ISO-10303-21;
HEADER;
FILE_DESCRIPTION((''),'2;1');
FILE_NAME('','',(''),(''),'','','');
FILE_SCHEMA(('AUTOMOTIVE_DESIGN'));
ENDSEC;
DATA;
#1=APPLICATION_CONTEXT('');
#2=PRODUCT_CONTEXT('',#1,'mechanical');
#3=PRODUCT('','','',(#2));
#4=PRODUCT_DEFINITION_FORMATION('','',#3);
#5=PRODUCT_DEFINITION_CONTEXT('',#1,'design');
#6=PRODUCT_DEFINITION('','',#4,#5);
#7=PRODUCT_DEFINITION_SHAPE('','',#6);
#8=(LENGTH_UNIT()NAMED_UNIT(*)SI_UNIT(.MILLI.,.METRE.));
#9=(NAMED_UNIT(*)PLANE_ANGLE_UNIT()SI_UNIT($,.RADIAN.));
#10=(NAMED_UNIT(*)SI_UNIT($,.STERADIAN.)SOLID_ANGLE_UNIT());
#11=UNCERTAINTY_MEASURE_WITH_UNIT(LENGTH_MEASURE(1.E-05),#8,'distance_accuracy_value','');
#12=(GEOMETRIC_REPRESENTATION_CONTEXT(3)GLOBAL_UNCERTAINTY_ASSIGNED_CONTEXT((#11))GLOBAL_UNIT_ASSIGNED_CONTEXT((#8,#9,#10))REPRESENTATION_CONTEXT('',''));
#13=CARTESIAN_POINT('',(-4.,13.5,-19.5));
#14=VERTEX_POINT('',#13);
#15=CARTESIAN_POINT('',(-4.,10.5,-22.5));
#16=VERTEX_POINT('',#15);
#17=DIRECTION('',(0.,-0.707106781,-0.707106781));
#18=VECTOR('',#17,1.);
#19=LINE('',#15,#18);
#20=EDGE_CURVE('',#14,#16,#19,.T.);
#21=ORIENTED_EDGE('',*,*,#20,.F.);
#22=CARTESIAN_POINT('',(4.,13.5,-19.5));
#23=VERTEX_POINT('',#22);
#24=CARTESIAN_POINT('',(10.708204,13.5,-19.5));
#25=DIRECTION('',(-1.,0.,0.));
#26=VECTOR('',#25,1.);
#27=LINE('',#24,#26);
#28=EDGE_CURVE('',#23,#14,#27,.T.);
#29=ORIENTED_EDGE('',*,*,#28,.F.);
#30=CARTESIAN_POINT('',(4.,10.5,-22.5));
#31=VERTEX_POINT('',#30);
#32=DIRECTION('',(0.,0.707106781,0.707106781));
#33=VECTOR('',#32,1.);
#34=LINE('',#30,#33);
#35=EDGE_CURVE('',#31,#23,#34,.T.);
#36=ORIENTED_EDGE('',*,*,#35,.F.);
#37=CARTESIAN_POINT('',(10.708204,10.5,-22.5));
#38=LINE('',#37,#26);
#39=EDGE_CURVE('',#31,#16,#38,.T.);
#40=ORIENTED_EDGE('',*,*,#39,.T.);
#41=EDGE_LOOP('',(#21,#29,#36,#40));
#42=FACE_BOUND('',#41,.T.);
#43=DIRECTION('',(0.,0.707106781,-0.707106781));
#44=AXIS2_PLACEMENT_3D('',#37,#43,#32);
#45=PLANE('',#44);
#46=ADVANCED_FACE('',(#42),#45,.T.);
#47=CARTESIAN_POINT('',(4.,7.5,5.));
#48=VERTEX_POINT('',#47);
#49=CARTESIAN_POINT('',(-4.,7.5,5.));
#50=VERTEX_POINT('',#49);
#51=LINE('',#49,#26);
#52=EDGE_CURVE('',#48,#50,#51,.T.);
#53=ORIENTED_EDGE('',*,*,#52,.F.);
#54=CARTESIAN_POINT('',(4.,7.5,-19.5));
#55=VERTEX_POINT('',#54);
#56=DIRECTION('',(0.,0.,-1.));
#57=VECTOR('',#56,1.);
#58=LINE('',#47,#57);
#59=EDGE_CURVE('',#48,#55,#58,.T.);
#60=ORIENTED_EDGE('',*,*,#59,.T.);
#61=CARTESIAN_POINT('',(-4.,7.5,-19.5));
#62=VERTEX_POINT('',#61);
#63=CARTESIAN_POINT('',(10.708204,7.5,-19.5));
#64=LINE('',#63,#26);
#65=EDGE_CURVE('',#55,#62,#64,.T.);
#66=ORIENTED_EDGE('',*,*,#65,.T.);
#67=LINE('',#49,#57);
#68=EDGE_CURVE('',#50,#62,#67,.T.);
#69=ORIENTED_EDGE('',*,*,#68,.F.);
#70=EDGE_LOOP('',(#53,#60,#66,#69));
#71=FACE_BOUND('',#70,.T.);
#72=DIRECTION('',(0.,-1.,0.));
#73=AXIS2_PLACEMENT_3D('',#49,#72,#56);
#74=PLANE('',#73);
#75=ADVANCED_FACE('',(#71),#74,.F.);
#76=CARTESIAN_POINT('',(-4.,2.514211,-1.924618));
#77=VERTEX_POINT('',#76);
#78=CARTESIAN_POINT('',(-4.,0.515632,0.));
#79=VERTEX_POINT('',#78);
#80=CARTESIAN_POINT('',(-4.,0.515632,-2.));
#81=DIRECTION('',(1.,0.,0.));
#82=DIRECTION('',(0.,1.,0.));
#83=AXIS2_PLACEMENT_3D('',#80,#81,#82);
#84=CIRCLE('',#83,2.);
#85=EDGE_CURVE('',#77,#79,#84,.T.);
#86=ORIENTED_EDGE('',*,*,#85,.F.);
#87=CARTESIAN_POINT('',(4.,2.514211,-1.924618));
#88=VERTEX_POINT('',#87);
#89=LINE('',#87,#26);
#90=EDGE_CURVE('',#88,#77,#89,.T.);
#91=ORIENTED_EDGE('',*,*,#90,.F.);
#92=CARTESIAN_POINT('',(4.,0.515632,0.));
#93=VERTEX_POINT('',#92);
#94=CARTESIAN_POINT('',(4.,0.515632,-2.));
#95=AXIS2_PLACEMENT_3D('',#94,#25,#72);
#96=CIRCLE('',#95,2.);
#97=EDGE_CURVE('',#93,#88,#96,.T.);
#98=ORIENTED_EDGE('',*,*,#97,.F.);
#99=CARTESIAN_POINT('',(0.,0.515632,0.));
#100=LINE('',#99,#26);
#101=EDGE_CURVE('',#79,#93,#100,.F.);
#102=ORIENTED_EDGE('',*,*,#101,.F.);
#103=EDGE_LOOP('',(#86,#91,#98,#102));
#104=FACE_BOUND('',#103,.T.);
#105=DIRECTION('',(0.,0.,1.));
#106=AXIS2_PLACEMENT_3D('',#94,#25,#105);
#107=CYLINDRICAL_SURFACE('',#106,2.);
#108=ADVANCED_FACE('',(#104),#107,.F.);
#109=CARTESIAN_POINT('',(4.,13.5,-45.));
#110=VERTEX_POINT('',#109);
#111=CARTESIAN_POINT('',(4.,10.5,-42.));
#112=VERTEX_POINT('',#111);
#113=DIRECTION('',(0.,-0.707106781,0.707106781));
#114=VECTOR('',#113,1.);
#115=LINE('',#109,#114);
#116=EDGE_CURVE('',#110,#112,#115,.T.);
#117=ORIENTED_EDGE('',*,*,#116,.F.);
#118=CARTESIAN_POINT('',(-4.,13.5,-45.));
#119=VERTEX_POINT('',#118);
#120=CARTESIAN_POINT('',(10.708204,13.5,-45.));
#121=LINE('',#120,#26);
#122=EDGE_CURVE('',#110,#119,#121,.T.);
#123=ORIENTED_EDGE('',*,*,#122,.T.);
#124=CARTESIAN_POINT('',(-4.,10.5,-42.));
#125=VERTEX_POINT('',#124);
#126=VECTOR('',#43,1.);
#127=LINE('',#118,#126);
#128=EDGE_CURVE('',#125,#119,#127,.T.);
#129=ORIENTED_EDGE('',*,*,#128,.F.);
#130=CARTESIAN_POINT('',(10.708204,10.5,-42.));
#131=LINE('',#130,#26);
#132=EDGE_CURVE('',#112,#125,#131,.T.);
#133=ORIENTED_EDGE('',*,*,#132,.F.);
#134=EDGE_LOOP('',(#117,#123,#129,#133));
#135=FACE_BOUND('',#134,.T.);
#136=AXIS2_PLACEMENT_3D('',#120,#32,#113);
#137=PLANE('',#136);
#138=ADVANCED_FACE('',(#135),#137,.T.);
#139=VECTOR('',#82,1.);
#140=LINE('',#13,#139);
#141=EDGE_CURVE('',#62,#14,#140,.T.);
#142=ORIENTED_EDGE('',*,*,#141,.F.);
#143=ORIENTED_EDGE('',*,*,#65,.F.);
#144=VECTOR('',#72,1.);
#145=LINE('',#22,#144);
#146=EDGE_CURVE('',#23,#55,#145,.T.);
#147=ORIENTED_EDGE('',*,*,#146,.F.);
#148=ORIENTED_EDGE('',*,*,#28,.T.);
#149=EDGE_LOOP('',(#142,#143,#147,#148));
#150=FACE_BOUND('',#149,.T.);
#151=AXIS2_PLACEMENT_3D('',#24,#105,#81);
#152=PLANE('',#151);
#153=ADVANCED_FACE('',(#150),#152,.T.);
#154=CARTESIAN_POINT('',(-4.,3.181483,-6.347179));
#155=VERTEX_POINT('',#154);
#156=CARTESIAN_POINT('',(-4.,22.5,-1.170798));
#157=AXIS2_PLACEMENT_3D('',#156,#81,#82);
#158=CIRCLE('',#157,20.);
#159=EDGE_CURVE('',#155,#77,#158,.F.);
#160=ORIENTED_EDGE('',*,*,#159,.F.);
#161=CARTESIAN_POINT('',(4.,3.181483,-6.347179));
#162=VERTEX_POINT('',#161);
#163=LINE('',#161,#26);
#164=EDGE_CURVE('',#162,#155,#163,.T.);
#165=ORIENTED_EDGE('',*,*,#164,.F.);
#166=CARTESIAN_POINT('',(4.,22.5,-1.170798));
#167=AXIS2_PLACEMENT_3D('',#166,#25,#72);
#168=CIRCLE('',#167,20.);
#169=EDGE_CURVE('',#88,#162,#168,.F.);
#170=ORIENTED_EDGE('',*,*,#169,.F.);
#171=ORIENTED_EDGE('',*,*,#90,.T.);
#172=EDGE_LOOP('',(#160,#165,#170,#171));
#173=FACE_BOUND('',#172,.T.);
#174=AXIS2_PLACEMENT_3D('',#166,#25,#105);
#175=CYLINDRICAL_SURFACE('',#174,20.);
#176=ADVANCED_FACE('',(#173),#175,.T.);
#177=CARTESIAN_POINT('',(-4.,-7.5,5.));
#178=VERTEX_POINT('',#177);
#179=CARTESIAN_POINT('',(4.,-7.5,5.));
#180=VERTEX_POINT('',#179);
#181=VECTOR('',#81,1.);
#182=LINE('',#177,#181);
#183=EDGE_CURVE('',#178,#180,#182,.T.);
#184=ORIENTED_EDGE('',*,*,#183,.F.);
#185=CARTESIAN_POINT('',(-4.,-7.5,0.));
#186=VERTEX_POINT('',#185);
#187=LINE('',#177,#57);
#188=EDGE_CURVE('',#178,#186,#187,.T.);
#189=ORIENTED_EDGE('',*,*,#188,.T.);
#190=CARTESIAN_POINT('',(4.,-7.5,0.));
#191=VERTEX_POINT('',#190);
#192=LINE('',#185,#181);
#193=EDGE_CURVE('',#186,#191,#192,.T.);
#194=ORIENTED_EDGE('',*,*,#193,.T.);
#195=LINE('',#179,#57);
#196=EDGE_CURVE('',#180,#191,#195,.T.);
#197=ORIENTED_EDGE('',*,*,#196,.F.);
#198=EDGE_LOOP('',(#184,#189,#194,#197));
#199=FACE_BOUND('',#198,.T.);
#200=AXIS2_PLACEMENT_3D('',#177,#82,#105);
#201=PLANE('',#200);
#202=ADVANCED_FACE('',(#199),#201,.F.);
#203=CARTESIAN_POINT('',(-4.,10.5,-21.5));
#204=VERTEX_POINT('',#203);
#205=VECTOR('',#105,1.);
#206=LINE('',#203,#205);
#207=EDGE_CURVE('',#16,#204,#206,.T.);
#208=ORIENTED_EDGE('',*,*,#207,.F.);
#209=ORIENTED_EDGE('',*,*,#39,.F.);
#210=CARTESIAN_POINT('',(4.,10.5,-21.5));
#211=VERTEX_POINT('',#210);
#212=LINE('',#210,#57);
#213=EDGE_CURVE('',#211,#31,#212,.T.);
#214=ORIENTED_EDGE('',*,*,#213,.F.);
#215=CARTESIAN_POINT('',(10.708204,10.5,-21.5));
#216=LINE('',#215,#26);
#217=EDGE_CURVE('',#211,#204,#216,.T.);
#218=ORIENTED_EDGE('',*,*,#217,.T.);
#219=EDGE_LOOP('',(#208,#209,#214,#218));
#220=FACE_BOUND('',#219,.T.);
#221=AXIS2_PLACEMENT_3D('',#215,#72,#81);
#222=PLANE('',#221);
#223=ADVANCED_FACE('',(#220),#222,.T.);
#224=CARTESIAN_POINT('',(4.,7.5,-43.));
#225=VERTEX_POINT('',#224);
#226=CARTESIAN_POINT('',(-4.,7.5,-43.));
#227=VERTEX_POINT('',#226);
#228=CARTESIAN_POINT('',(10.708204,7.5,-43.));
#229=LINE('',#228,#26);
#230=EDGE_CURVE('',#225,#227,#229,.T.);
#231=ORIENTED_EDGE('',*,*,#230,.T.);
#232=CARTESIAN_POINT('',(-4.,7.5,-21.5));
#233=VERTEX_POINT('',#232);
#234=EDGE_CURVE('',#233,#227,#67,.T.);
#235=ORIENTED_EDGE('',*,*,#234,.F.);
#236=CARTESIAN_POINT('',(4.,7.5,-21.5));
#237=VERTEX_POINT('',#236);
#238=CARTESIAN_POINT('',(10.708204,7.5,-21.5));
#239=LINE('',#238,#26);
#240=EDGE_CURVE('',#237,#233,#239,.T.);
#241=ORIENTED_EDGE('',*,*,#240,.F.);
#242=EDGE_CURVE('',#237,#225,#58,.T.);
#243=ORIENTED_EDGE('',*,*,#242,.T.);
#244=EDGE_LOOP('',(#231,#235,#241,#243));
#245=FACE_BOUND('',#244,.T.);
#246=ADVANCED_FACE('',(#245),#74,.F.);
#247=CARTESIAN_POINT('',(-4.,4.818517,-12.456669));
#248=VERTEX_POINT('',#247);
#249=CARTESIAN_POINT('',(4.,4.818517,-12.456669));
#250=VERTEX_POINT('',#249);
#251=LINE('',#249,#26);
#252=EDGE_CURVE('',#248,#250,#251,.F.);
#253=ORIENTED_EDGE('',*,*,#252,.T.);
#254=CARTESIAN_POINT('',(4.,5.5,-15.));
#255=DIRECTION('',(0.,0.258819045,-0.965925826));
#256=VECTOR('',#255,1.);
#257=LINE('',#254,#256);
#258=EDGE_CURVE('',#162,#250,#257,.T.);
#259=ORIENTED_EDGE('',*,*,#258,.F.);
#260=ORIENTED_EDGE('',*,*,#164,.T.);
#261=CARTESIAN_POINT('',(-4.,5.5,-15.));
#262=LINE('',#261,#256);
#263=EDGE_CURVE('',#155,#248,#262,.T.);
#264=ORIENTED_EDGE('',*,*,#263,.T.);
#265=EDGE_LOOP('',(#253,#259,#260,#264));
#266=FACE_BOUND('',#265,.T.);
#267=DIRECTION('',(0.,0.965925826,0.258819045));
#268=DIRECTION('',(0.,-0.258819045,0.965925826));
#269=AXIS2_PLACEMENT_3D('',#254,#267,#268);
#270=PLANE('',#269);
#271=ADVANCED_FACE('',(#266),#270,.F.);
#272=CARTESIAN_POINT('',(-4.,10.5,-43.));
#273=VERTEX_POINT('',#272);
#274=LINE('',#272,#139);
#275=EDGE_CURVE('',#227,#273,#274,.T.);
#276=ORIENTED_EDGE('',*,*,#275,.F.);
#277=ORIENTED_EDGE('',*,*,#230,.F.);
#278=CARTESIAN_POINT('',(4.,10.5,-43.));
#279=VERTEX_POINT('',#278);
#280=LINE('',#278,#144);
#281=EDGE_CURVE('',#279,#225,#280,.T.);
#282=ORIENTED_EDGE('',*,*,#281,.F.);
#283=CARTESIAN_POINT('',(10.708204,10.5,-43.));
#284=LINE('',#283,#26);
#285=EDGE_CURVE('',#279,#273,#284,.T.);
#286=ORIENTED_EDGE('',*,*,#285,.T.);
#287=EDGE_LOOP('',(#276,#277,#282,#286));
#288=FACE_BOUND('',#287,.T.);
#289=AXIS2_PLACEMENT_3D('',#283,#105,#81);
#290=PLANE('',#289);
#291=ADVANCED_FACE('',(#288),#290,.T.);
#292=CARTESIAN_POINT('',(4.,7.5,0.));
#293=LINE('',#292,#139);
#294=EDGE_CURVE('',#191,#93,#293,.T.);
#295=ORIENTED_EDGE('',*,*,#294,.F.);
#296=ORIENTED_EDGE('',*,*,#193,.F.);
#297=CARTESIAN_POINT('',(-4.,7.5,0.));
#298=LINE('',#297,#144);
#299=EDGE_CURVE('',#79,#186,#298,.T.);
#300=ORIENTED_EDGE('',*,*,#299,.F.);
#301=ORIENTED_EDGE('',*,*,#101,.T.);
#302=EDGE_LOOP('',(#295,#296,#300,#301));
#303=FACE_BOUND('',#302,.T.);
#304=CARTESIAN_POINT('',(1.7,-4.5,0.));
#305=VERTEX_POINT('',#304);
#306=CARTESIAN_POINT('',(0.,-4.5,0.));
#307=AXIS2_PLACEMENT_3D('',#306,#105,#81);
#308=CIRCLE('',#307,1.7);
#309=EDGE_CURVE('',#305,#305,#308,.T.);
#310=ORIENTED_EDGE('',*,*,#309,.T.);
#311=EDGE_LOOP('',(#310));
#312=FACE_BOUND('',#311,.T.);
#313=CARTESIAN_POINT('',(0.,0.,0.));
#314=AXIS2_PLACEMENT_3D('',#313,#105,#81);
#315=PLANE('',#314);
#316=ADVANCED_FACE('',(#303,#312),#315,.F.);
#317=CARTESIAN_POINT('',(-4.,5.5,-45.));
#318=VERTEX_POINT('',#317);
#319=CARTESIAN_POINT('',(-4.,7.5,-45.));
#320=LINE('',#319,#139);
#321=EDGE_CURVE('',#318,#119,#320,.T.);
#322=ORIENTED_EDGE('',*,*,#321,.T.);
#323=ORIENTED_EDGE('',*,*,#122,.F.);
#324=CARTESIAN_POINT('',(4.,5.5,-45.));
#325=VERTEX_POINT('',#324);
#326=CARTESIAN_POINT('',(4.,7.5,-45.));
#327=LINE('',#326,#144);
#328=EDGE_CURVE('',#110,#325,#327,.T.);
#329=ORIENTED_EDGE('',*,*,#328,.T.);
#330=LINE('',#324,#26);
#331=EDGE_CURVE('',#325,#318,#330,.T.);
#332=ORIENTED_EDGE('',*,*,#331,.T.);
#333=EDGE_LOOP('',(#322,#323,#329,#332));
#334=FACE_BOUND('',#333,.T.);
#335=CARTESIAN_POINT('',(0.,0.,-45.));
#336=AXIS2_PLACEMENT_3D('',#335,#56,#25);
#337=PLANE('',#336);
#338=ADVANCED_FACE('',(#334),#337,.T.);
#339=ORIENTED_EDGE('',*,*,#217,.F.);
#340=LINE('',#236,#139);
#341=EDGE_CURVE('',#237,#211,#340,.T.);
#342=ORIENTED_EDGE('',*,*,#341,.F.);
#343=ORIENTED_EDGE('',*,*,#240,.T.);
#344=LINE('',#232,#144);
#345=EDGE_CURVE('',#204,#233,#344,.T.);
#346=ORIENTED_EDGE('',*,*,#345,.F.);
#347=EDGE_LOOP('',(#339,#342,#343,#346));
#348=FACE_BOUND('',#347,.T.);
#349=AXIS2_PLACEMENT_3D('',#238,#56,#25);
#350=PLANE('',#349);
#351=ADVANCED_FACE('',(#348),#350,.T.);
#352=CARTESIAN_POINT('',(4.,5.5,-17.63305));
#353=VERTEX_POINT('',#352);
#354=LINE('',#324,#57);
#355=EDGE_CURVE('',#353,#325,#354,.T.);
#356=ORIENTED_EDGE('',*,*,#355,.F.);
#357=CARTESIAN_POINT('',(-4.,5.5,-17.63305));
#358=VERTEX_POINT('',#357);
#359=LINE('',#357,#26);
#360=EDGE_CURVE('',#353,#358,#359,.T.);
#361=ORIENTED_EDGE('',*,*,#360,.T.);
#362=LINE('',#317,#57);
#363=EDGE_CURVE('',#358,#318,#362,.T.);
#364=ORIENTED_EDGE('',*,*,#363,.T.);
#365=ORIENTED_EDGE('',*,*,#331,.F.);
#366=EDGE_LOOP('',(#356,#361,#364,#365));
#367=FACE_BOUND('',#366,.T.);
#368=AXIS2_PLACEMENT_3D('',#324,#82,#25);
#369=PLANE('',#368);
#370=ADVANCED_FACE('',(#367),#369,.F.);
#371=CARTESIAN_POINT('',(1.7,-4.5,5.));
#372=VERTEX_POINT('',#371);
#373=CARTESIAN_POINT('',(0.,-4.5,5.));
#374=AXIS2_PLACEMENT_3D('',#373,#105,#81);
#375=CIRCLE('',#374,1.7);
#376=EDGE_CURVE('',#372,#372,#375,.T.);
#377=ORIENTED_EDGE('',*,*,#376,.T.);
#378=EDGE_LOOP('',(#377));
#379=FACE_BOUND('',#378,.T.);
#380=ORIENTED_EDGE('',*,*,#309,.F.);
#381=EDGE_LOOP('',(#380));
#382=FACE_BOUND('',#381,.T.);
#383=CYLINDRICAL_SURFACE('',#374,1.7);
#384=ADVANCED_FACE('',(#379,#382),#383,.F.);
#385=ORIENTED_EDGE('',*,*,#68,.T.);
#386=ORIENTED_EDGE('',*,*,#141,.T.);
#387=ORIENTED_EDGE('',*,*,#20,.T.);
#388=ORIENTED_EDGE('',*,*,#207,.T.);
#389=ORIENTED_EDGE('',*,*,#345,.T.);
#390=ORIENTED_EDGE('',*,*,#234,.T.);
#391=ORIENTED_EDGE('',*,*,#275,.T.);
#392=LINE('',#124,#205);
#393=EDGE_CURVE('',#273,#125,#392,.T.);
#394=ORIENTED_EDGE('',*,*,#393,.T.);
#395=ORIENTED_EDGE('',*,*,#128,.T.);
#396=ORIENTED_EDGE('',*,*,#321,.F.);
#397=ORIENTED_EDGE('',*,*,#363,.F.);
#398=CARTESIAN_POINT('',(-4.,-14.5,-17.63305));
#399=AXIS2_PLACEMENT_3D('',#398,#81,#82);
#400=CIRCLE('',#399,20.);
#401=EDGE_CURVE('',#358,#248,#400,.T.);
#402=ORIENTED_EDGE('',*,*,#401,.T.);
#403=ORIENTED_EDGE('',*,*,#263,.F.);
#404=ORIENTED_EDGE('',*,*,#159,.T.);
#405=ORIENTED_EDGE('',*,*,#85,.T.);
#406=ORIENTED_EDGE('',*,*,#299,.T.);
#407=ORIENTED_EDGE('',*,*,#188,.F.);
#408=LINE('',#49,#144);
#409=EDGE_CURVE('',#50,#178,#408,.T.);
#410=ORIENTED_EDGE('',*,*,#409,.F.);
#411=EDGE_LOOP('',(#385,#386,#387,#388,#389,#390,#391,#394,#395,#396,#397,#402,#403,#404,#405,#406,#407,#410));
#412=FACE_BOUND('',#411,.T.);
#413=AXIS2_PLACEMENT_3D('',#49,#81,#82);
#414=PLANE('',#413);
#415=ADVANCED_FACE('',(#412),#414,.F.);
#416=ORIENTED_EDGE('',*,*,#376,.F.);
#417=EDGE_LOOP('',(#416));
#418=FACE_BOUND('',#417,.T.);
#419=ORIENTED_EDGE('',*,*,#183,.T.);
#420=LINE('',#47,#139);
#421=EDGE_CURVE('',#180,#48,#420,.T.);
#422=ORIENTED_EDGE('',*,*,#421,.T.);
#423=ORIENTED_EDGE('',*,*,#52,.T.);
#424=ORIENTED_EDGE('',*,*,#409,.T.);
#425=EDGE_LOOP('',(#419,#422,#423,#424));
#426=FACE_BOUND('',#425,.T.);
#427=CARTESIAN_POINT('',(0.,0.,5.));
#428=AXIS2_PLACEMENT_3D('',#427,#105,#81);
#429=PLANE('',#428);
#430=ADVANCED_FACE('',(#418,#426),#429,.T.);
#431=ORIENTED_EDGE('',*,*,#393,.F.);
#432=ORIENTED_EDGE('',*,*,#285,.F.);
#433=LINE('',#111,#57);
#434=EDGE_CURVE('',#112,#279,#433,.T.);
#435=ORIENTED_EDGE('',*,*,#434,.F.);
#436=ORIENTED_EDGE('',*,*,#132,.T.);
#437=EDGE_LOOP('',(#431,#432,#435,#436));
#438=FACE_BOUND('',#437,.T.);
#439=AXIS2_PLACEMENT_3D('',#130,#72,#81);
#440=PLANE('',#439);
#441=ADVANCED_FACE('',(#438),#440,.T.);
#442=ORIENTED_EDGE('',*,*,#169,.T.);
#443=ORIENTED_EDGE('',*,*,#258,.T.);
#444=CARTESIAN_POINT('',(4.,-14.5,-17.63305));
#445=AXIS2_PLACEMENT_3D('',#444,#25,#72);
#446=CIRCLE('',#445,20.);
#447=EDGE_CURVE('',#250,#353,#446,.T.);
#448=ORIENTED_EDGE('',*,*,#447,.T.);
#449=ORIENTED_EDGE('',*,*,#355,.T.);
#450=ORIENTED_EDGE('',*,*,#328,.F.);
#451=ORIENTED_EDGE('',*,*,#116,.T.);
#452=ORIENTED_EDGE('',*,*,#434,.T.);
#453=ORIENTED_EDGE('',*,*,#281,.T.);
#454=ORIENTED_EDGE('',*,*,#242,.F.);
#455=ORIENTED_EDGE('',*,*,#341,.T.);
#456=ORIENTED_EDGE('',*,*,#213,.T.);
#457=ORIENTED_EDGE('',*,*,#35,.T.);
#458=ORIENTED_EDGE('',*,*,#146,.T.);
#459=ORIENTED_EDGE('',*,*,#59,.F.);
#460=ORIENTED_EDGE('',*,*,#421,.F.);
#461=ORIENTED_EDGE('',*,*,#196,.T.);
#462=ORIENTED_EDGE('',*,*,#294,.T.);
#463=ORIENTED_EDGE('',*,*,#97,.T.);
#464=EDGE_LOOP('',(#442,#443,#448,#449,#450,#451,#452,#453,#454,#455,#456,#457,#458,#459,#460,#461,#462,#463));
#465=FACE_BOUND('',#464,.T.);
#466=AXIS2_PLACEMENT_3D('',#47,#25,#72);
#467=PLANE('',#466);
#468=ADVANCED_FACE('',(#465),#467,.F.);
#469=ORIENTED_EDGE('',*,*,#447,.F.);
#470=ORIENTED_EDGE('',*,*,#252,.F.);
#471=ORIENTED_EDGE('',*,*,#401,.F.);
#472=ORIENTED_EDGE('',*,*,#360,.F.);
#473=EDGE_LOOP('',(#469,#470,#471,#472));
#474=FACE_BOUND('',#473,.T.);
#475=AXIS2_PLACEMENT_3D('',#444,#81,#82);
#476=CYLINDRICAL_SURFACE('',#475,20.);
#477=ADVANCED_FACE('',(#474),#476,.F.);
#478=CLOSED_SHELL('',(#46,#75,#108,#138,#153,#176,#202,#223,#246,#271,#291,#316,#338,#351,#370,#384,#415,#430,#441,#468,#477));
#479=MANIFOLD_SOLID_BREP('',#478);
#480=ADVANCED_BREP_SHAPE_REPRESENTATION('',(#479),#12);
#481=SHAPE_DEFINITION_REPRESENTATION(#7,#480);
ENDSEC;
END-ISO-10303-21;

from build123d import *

# Parameters (mm, degrees)
SKETCH_1_W          = 8
SKETCH_1_H          = 15
EXTRUDE_1_DEPTH     = 5
SKETCH_2_W          = 8
SKETCH_2_H          = 5
EXTRUDE_2_DEPTH     = 45
EXTRUDE_3_DEPTH     = 8
CUT_EXTRUDE_1_DEPTH = 48.657633177
FILLET_1_R          = 20
FILLET_2_R          = 2
HOLE_WIZARD_M3_1_D  = 3.4


with BuildPart() as part:
    # ｽｹｯﾁ1 → ﾎﾞｽ - 押し出し1 (new body)
    with BuildSketch(Plane.XY):
        Rectangle(SKETCH_1_W, SKETCH_1_H)
    extrude(amount=EXTRUDE_1_DEPTH)

    # ｽｹｯﾁ2 → ﾎﾞｽ - 押し出し2 (add)
    with BuildSketch(Plane(origin=(0, 0, 0), x_dir=(-1, 0, 0), z_dir=(0, 0, -1))):
        with Locations((0, 5)):
            Rectangle(SKETCH_2_W, SKETCH_2_H)
    extrude(amount=EXTRUDE_2_DEPTH)

    # ｽｹｯﾁ4 → ﾎﾞｽ - 押し出し3 (add)
    with BuildSketch(Plane.ZY.offset(4)):
        Polygon((-45, 7.5), (-45, 13.5), (-42, 10.5), (-43, 10.5), (-43, 7.5), align=None)
        Polygon((-21.5, 7.5), (-21.5, 10.5), (-22.5, 10.5), (-19.5, 13.5), (-19.5, 7.5), align=None)
    extrude(amount=-EXTRUDE_3_DEPTH)

    # ｽｹｯﾁ5 → ｶｯﾄ - 押し出し1 (cut, through all)
    with BuildSketch(Plane.ZY.offset(4)):
        Polygon((-45, 2.5), (-45, 5.5), (-15, 5.5), (-3.803847577, 2.5), align=None)
    extrude(amount=-CUT_EXTRUDE_1_DEPTH, mode=Mode.SUBTRACT)

    # ﾌｨﾚｯﾄ1
    fillet_1_edges = [part.edges().sort_by_distance(p)[0] for p in [
        (0, 2.5, -3.803847577),
        (0, 5.5, -15),
    ]]
    fillet(fillet_1_edges, radius=FILLET_1_R)

    # ﾌｨﾚｯﾄ2
    fillet_2_edges = [part.edges().sort_by_distance(p)[0] for p in [
        (0, 2.5, 0),
    ]]
    fillet(fillet_2_edges, radius=FILLET_2_R)

    # M3 すきま穴1 (through all)
    with Locations(Plane.XY.offset(5)):
        with Locations((0, -4.5)):
            Hole(HOLE_WIZARD_M3_1_D / 2)


solid = part.part
